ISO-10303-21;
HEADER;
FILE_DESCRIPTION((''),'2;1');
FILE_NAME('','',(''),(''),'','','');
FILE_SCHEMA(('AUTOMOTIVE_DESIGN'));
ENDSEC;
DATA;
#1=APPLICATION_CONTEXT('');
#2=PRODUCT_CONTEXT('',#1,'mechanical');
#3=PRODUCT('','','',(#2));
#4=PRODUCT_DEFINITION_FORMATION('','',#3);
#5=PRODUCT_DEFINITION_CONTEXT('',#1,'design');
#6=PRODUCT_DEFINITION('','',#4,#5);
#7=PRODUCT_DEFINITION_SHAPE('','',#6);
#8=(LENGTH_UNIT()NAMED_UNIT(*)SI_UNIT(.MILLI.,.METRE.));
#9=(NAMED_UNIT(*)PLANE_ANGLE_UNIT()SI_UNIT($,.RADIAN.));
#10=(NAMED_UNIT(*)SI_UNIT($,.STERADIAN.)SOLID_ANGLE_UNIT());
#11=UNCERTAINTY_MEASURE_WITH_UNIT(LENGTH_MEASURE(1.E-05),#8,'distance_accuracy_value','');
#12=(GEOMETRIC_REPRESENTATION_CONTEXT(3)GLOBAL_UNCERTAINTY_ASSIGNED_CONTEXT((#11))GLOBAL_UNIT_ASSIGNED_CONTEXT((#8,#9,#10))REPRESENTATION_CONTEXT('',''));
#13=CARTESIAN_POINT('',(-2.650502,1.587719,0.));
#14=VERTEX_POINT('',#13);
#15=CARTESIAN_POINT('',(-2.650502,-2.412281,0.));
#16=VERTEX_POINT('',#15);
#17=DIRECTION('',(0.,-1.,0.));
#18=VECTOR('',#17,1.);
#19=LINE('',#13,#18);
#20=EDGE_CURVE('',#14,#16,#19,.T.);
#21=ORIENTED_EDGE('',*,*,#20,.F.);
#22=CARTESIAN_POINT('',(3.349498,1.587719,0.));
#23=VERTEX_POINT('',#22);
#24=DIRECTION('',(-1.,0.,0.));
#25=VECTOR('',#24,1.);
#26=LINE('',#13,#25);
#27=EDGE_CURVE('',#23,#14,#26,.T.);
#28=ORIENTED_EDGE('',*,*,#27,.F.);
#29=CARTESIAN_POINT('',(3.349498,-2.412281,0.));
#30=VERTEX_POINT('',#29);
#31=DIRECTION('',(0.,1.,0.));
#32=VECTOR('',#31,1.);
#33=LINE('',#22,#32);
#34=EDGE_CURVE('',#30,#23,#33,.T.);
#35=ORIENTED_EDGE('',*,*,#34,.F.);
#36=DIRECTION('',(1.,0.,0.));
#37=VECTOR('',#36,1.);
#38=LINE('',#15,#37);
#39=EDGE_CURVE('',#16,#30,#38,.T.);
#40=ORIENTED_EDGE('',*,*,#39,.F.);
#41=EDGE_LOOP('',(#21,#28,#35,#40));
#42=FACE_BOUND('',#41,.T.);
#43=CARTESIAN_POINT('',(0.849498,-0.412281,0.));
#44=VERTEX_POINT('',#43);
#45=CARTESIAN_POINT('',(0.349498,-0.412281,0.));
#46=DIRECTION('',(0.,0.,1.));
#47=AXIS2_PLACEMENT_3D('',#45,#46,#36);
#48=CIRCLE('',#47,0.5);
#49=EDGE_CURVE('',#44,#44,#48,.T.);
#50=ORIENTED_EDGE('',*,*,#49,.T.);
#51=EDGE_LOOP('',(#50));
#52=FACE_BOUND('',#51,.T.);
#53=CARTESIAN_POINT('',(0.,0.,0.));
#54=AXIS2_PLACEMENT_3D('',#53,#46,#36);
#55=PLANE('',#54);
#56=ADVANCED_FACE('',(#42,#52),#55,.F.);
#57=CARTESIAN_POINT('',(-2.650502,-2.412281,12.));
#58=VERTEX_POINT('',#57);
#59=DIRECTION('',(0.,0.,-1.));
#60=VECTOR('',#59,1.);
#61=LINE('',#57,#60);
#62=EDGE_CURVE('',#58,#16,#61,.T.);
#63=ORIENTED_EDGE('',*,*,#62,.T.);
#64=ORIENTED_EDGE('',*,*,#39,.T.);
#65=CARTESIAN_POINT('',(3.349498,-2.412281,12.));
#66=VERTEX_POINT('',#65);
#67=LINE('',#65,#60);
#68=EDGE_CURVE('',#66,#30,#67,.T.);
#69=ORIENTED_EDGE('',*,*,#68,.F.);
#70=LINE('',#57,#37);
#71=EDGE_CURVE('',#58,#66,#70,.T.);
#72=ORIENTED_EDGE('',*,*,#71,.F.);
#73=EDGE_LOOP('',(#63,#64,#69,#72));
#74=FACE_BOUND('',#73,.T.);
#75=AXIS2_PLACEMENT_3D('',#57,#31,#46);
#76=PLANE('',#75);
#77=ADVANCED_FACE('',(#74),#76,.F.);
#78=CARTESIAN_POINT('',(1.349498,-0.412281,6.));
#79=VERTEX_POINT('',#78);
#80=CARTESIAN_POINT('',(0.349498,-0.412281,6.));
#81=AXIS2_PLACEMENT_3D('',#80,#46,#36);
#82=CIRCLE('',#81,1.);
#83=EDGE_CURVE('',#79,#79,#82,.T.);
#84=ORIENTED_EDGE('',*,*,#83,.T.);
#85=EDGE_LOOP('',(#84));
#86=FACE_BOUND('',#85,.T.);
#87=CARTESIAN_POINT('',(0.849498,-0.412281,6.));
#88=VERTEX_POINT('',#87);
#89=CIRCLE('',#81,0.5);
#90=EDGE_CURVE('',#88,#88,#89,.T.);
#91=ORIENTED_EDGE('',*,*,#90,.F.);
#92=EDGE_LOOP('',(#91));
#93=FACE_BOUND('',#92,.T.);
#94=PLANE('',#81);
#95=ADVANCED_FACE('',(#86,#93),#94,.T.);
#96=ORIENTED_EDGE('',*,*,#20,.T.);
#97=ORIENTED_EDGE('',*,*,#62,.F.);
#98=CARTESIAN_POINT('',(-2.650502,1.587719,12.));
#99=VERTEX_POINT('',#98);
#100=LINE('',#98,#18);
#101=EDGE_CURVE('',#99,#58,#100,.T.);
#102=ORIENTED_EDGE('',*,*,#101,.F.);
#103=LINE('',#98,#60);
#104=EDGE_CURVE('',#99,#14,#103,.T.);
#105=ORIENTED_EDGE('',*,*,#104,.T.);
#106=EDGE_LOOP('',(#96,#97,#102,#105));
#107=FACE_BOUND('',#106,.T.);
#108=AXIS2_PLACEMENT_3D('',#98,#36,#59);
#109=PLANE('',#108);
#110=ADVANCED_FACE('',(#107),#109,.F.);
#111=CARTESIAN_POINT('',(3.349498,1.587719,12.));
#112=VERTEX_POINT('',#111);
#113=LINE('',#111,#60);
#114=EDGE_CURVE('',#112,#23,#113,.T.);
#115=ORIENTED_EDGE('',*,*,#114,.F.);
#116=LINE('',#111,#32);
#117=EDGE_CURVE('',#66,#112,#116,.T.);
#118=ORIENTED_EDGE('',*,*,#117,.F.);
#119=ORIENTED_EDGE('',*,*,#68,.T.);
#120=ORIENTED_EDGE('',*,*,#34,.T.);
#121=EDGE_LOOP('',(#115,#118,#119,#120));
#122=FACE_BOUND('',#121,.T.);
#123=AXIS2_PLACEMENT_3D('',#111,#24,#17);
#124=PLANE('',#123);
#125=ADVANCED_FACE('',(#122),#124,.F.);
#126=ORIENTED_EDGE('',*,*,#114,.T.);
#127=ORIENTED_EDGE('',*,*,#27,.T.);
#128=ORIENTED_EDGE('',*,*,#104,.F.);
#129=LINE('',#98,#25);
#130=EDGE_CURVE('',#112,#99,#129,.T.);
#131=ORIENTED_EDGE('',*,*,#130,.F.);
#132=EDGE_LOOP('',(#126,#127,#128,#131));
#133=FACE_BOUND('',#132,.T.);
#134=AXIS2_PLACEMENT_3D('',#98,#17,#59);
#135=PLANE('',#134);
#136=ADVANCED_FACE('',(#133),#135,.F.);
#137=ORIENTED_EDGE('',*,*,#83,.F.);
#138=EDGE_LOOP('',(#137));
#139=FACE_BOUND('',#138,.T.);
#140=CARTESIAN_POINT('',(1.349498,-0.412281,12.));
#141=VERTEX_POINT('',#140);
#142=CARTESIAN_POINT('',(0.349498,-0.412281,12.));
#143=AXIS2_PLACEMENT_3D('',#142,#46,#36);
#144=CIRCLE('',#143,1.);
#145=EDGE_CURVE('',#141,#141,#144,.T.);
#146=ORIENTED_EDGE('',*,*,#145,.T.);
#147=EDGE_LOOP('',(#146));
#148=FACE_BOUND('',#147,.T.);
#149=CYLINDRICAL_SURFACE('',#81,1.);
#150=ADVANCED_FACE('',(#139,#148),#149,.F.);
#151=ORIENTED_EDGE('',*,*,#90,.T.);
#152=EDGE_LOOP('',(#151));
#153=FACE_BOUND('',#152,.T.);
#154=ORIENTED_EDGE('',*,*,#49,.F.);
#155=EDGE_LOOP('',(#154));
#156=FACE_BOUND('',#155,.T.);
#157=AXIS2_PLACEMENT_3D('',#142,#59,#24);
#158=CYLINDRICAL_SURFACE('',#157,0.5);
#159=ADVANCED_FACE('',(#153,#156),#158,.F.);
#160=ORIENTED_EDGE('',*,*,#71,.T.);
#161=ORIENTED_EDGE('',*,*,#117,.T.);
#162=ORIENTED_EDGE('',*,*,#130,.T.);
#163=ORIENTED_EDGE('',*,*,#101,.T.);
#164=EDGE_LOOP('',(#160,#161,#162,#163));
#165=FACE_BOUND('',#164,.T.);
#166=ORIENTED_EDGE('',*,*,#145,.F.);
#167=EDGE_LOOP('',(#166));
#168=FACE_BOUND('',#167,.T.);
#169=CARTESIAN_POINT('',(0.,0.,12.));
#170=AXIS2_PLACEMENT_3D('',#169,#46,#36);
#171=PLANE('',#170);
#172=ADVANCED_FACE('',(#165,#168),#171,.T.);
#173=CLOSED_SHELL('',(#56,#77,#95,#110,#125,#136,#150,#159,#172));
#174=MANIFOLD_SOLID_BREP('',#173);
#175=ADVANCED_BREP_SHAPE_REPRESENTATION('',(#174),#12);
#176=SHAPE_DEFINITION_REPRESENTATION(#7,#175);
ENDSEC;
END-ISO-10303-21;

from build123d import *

# Parameters (mm, degrees)
ESQUISSE1_W             = 6
ESQUISSE1_H             = 4
ESQUISSE1_R             = 0.5
BOSS_EXTRU_1_DEPTH      = 12
ESQUISSE2_R             = 1
ENL_V_MAT_EXTRU_1_DEPTH = 6


with BuildPart() as part:
    # Esquisse1 → Boss.-Extru.1 (new body)
    with BuildSketch(Plane.XY):
        with Locations((0.349498461, -0.412280702)):
            Rectangle(ESQUISSE1_W, ESQUISSE1_H)
        with Locations((0.349498461, -0.412280702)):
            Circle(ESQUISSE1_R, mode=Mode.SUBTRACT)
    extrude(amount=BOSS_EXTRU_1_DEPTH)

    # Esquisse2 → Enlèv. mat.-Extru.1 (cut)
    with BuildSketch(Plane.XY.offset(12)):
        with Locations((0.349498461, -0.412280702)):
            Circle(ESQUISSE2_R)
    extrude(amount=-ENL_V_MAT_EXTRU_1_DEPTH, mode=Mode.SUBTRACT)


solid = part.part
